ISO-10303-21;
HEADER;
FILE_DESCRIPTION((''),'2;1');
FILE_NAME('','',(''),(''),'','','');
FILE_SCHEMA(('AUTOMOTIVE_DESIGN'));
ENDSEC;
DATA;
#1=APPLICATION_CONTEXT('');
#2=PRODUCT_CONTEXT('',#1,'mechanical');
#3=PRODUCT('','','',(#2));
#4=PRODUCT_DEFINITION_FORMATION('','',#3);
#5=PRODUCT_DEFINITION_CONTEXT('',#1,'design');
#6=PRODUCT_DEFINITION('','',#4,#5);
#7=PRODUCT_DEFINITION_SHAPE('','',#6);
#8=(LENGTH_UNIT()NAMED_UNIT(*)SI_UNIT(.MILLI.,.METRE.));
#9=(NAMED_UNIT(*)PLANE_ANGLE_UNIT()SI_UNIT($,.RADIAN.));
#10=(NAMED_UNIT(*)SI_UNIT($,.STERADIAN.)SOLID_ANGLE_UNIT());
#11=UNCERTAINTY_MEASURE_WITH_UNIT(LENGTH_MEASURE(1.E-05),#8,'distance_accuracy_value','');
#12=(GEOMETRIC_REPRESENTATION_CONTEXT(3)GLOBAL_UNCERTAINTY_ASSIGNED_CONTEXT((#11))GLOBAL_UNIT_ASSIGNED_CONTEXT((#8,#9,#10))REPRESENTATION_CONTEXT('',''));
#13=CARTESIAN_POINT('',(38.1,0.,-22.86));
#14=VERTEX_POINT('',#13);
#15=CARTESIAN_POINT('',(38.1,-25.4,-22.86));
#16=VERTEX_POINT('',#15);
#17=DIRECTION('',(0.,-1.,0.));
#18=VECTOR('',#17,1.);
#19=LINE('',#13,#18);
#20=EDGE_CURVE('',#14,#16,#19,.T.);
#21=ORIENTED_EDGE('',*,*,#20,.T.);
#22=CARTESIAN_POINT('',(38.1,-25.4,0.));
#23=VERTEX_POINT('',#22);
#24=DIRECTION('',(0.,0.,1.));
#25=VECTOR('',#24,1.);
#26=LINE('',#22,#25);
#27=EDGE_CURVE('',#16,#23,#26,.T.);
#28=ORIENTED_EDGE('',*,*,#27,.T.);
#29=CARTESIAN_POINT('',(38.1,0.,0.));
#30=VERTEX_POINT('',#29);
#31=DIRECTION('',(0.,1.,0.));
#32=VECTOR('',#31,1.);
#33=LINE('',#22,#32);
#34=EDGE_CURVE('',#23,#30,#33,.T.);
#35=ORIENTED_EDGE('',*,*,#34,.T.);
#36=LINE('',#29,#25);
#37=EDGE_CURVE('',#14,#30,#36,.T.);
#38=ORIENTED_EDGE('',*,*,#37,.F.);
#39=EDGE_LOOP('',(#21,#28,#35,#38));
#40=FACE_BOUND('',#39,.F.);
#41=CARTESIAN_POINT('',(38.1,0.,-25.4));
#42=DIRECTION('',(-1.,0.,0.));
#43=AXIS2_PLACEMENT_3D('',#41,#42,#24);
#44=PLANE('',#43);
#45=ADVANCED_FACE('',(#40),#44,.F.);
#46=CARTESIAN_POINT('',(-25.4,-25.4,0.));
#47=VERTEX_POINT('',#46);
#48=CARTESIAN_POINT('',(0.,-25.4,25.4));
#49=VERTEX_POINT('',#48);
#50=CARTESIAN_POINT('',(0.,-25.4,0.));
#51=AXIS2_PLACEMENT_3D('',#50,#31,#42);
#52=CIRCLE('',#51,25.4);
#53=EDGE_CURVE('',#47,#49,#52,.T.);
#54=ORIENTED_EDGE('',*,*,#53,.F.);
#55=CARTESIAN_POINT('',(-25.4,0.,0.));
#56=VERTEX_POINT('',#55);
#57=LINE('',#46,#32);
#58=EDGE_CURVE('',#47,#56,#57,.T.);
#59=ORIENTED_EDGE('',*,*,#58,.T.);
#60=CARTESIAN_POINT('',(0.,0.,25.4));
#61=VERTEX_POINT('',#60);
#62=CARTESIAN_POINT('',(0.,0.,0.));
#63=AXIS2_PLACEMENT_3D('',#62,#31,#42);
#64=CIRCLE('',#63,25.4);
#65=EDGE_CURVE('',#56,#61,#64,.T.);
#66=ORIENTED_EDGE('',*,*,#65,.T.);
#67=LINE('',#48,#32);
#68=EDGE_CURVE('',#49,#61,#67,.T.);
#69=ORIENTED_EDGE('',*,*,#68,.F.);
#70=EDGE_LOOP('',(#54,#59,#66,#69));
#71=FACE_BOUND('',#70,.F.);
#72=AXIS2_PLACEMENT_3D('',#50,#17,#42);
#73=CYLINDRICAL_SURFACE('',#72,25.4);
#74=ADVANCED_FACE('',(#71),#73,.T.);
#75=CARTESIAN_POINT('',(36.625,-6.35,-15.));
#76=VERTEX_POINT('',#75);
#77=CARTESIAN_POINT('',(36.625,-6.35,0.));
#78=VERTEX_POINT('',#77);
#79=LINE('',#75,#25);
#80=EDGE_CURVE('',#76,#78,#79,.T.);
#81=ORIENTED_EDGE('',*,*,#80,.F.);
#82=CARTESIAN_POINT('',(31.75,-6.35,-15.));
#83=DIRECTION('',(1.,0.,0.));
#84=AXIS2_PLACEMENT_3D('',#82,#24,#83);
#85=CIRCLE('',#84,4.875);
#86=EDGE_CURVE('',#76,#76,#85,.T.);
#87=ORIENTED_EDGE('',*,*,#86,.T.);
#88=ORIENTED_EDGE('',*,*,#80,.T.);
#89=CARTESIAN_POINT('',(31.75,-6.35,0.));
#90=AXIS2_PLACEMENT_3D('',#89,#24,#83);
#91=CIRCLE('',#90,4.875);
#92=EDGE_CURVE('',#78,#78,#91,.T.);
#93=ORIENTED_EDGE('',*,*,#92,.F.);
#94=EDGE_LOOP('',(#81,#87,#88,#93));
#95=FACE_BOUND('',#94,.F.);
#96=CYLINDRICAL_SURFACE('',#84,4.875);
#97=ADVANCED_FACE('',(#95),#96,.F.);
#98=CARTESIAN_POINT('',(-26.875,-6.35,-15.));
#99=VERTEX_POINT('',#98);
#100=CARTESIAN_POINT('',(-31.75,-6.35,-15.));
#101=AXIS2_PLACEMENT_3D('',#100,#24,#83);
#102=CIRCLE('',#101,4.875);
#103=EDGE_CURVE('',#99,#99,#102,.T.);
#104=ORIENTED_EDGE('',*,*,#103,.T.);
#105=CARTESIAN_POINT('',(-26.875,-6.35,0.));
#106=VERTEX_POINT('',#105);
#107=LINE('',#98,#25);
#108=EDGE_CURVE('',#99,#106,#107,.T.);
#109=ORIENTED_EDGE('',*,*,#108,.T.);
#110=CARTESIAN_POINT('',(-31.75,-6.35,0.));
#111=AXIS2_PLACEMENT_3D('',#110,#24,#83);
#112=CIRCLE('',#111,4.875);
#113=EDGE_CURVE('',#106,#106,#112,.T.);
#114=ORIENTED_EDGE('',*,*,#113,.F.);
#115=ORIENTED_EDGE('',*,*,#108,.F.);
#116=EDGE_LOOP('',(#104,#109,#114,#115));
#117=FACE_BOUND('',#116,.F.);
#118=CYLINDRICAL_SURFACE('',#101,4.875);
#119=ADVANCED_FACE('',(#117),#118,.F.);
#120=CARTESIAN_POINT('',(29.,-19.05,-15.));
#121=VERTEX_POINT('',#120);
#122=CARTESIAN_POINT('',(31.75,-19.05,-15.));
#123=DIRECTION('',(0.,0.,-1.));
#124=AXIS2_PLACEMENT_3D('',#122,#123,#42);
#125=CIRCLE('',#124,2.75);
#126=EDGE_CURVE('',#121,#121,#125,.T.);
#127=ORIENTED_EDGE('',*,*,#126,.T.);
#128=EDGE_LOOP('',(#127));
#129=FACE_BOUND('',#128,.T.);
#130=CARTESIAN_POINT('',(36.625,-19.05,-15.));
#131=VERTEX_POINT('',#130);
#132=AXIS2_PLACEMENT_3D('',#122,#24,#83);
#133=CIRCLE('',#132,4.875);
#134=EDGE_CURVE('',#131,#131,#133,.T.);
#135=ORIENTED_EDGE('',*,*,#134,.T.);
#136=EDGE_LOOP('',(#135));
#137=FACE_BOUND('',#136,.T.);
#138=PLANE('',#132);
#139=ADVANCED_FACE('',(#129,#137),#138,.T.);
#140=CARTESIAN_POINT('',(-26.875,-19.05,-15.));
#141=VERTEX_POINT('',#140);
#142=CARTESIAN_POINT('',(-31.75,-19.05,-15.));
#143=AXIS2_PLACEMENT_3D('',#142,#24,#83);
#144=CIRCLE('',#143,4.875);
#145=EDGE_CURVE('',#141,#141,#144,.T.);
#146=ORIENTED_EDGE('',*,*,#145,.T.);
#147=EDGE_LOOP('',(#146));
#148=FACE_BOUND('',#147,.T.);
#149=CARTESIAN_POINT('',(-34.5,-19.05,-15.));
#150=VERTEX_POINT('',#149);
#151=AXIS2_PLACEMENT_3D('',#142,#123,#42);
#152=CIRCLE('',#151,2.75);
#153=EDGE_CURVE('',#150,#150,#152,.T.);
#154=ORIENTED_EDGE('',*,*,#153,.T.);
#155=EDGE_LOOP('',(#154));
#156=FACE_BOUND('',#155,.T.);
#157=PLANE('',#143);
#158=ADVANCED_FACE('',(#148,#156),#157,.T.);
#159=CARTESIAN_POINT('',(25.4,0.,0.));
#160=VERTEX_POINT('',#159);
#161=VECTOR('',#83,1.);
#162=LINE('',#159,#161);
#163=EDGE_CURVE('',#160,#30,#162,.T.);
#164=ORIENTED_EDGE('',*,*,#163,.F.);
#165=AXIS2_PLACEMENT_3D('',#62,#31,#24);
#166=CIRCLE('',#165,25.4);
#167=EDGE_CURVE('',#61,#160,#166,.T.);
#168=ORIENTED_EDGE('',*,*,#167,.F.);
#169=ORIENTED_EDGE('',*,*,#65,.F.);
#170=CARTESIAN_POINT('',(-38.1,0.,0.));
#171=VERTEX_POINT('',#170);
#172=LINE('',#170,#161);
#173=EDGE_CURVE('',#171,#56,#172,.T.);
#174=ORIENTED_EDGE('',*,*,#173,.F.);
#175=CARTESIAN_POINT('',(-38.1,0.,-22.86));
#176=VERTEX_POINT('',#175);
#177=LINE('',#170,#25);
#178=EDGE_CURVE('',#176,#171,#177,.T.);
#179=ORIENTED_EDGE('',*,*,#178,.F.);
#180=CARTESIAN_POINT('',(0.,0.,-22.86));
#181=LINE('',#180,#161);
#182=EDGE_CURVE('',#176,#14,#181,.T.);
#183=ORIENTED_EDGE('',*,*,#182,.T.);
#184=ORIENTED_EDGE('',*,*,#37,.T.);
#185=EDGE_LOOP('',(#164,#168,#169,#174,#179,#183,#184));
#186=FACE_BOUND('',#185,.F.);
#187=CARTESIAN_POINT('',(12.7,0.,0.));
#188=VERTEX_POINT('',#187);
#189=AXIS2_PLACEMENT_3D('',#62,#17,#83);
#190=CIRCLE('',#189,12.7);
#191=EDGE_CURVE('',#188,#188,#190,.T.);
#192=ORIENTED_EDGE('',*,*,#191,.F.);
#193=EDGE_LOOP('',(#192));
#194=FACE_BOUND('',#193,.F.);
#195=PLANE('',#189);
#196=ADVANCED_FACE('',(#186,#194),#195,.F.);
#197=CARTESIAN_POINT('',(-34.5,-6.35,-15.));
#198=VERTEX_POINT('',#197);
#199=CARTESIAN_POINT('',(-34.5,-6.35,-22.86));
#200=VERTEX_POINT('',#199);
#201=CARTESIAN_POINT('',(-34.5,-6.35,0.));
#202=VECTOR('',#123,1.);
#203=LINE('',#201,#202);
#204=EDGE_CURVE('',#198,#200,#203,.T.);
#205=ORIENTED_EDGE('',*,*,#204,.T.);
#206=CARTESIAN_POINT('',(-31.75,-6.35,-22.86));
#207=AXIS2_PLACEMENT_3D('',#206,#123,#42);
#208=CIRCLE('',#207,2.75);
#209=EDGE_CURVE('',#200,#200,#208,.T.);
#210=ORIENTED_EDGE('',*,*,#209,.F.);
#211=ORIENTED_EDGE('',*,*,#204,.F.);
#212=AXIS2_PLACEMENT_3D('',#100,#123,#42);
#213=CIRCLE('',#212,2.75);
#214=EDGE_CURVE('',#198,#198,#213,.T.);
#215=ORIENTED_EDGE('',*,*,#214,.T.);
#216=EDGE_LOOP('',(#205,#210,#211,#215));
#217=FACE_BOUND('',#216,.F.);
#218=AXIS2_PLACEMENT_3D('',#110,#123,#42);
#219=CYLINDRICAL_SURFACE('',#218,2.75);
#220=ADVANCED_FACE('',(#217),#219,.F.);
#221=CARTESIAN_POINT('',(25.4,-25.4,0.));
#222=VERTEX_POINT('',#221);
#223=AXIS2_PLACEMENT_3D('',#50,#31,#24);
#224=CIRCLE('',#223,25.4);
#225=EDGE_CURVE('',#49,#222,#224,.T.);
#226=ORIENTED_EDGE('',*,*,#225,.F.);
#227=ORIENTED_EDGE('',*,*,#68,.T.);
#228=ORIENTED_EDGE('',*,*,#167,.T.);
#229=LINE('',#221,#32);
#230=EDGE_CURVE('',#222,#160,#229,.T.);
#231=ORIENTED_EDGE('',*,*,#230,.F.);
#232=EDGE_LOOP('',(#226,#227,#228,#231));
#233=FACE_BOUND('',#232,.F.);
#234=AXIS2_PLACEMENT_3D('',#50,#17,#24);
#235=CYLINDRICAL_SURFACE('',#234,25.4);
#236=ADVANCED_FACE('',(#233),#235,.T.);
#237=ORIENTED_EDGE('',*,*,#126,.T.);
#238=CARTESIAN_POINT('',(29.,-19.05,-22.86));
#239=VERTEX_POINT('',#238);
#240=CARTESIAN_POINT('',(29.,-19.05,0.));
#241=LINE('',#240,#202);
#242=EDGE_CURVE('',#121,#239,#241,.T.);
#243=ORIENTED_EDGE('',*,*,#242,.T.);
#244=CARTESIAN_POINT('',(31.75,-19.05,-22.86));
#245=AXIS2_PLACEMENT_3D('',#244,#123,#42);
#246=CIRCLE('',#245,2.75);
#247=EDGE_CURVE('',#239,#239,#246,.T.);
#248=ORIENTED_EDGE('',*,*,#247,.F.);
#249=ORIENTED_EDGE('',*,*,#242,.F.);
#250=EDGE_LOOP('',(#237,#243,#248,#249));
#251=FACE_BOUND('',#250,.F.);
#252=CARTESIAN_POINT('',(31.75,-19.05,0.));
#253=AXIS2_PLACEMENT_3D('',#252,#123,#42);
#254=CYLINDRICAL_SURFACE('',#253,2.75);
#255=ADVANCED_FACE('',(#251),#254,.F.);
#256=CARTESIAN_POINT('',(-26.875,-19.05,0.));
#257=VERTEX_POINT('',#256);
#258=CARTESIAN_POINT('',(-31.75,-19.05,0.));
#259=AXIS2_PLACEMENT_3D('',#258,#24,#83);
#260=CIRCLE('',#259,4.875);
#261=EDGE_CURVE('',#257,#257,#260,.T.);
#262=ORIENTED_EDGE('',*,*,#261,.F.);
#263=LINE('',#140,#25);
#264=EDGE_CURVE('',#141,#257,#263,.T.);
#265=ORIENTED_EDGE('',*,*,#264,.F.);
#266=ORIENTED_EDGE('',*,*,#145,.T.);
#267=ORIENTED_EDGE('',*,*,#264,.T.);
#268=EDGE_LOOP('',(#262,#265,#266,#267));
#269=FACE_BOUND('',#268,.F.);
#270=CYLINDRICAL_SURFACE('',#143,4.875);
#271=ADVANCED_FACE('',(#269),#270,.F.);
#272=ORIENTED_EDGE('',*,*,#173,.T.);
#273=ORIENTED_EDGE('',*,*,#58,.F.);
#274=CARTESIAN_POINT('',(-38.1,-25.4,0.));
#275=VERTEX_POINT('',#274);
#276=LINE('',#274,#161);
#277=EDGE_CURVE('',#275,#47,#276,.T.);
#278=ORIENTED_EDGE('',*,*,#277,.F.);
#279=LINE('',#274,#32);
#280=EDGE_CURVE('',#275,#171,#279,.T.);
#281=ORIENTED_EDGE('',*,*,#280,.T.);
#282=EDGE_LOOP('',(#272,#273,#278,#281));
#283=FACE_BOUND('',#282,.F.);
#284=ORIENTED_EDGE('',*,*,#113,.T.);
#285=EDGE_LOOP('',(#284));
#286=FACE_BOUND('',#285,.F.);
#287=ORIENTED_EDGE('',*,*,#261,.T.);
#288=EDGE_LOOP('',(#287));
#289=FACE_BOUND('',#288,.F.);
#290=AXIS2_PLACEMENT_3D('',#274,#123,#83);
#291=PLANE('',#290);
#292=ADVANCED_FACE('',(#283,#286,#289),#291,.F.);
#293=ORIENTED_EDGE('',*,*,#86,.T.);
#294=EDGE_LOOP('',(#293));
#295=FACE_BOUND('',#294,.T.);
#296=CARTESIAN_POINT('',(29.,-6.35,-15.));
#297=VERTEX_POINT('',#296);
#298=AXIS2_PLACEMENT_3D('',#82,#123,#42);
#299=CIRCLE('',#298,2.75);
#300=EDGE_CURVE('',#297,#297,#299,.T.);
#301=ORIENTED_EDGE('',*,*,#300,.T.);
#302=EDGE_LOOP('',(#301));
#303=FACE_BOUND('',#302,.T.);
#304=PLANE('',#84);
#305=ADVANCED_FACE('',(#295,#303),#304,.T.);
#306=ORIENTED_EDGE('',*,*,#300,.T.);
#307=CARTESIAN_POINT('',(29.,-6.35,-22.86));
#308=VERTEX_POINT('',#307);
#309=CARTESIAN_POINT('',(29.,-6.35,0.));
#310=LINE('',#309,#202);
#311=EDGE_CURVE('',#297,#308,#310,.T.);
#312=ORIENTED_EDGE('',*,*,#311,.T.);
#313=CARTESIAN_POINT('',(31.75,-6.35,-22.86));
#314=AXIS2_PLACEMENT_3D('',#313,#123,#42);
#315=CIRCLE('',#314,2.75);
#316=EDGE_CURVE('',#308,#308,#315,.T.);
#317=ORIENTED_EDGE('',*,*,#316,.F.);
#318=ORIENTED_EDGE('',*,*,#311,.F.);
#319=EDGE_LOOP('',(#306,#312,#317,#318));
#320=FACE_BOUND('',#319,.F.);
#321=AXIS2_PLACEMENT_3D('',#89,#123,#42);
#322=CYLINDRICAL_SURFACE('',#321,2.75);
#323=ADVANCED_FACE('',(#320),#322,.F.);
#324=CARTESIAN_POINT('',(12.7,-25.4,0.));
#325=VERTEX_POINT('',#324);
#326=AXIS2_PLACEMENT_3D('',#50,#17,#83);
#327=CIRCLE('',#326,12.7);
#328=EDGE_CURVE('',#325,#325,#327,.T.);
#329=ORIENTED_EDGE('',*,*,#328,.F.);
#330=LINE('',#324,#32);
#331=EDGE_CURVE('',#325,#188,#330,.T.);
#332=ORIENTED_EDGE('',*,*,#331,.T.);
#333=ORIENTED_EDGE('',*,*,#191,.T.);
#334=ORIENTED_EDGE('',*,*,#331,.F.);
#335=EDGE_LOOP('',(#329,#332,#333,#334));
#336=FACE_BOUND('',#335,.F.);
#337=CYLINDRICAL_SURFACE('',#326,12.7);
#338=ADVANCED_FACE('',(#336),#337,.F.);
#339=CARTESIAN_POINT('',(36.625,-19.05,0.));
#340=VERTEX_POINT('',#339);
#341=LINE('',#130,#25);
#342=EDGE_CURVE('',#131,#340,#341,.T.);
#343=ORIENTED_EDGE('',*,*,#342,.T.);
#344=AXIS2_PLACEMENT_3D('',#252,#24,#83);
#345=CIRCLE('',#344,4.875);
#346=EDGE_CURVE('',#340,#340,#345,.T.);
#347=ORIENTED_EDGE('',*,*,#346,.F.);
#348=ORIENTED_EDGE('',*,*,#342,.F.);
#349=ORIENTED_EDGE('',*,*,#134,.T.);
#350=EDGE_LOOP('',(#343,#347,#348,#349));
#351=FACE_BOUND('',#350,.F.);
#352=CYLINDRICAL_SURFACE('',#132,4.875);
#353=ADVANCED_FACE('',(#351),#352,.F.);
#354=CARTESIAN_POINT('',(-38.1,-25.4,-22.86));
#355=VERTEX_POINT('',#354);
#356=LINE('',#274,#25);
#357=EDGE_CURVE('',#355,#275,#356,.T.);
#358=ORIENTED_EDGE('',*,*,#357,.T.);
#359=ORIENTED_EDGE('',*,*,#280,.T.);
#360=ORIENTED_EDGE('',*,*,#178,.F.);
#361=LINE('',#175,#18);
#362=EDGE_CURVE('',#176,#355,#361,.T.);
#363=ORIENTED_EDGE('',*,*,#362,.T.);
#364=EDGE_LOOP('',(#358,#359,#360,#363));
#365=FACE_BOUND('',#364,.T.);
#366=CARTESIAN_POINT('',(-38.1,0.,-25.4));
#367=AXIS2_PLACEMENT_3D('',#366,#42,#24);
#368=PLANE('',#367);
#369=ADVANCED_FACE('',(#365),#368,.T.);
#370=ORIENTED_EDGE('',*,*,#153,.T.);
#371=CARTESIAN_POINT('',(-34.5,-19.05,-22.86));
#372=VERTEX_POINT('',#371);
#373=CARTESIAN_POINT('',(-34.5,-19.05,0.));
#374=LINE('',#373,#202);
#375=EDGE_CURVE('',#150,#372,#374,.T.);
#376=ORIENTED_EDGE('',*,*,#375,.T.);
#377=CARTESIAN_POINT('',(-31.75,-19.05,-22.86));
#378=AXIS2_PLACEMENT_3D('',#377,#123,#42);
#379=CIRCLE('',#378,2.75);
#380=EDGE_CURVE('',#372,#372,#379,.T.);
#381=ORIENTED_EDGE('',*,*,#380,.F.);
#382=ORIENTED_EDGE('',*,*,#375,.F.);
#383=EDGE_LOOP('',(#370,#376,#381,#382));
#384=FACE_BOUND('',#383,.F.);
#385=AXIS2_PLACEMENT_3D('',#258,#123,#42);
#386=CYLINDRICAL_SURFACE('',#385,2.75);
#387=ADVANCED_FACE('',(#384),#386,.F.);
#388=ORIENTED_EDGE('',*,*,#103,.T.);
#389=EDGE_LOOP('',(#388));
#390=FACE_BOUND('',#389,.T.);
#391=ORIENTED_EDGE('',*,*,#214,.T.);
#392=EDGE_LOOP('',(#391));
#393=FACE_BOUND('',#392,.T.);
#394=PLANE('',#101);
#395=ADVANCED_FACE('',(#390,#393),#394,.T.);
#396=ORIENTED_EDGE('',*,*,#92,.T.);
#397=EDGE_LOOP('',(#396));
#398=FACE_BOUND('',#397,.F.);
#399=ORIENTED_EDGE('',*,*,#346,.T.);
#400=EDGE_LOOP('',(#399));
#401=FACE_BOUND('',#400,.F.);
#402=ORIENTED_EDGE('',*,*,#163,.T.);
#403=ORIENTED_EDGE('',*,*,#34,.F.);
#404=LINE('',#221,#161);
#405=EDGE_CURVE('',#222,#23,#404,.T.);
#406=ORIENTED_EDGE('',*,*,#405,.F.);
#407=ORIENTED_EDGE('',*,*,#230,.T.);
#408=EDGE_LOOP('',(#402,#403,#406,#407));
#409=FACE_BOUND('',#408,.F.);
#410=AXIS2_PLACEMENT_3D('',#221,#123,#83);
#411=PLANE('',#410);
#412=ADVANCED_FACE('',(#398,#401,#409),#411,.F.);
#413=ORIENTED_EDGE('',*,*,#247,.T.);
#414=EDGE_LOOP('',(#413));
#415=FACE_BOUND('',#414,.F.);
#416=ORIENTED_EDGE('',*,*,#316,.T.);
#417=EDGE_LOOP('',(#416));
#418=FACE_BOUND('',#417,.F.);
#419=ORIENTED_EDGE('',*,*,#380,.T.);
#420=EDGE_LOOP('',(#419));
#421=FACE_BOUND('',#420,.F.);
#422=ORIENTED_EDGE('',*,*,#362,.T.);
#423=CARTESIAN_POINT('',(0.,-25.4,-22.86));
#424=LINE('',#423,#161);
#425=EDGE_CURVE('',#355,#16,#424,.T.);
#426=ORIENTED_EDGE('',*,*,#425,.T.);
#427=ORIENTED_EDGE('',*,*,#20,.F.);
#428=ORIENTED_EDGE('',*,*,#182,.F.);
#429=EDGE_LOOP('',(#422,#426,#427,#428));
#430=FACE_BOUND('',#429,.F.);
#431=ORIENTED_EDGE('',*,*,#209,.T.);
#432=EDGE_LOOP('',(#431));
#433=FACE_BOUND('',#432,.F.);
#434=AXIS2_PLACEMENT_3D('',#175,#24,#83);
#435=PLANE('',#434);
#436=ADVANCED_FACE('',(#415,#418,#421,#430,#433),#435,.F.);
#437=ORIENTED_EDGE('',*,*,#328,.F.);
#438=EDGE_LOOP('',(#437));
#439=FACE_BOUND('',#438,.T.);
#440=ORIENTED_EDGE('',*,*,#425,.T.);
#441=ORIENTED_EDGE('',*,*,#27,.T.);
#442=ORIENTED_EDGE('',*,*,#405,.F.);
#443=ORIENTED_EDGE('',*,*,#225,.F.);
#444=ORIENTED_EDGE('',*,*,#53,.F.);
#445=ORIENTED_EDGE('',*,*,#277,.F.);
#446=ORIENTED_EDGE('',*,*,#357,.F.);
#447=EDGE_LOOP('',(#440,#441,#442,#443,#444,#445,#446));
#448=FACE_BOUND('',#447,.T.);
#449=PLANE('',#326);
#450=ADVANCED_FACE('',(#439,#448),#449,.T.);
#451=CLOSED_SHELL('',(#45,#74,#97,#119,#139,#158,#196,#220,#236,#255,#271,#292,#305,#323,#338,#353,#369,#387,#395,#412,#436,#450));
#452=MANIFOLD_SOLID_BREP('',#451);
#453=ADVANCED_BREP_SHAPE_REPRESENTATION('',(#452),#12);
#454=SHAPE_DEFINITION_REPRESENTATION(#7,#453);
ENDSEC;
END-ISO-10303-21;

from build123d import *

# Parameters (mm, degrees)
F0_W           = 76.2
F0_H           = 50.8
F1_DEPTH       = 25.4
F2_R           = 12.7
F3_DEPTH       = 32.766
F5_DEPTH       = 25.4
F7_D           = 5.5
F7_DEPTH       = 254
F7_CBORE_D     = 9.75
F7_CBORE_DEPTH = 15
F7_TIP         = 1.6523667023
F8_DEPTH       = 2.54


with BuildPart() as f1:
    # F0 (on Front) → F1 (new body)
    with BuildSketch(Plane.XZ):
        Rectangle(F0_W, F0_H)
    extrude(amount=F1_DEPTH)

    # F2 (on face) → F3 (cut)
    with BuildSketch(Plane.XZ.offset(25.4)):
        Circle(F2_R)
    extrude(amount=-F3_DEPTH, mode=Mode.SUBTRACT)

    # F4 (on face) → F5 (cut)
    with BuildSketch(Plane.XZ.offset(25.4)):
        with BuildLine():
            ThreePointArc((1.5e-09, 25.4), (17.9605122427, 17.9605122416), (25.4, 0))
            Line((25.4, 0), (38.1, 0))
            Line((38.1, 0), (38.1, 25.4))
            Line((38.1, 25.4), (1.5e-09, 25.4))
        make_face()
        with BuildLine():
            ThreePointArc((-25.4, 0), (-17.9605122416, 17.9605122427), (1.5e-09, 25.4))
            Line((1.5e-09, 25.4), (-38.1, 25.4))
            Line((-38.1, 25.4), (-38.1, 0))
            Line((-38.1, 0), (-25.4, 0))
        make_face()
    extrude(amount=-F5_DEPTH, mode=Mode.SUBTRACT)

    # F7
    with Locations(Plane.XY):
        with Locations((-31.75, -6.35), (-31.75, -19.05), (31.75, -6.35), (31.75, -19.05)):
            CounterBoreHole(F7_D / 2, F7_CBORE_D / 2, F7_CBORE_DEPTH, depth=F7_DEPTH)
            with Locations((0, 0, -(F7_DEPTH + F7_TIP / 2))):  # 118° drill point
                Cone(0, F7_D / 2, F7_TIP, mode=Mode.SUBTRACT)

    # F8 (cut): a face of the model
    f8_faces = [f1.faces().sort_by_distance(p)[0] for p in [
        (0, -12.7, -25.4),
    ]]
    extrude(f8_faces, amount=-F8_DEPTH, mode=Mode.SUBTRACT)


solid = f1.part
